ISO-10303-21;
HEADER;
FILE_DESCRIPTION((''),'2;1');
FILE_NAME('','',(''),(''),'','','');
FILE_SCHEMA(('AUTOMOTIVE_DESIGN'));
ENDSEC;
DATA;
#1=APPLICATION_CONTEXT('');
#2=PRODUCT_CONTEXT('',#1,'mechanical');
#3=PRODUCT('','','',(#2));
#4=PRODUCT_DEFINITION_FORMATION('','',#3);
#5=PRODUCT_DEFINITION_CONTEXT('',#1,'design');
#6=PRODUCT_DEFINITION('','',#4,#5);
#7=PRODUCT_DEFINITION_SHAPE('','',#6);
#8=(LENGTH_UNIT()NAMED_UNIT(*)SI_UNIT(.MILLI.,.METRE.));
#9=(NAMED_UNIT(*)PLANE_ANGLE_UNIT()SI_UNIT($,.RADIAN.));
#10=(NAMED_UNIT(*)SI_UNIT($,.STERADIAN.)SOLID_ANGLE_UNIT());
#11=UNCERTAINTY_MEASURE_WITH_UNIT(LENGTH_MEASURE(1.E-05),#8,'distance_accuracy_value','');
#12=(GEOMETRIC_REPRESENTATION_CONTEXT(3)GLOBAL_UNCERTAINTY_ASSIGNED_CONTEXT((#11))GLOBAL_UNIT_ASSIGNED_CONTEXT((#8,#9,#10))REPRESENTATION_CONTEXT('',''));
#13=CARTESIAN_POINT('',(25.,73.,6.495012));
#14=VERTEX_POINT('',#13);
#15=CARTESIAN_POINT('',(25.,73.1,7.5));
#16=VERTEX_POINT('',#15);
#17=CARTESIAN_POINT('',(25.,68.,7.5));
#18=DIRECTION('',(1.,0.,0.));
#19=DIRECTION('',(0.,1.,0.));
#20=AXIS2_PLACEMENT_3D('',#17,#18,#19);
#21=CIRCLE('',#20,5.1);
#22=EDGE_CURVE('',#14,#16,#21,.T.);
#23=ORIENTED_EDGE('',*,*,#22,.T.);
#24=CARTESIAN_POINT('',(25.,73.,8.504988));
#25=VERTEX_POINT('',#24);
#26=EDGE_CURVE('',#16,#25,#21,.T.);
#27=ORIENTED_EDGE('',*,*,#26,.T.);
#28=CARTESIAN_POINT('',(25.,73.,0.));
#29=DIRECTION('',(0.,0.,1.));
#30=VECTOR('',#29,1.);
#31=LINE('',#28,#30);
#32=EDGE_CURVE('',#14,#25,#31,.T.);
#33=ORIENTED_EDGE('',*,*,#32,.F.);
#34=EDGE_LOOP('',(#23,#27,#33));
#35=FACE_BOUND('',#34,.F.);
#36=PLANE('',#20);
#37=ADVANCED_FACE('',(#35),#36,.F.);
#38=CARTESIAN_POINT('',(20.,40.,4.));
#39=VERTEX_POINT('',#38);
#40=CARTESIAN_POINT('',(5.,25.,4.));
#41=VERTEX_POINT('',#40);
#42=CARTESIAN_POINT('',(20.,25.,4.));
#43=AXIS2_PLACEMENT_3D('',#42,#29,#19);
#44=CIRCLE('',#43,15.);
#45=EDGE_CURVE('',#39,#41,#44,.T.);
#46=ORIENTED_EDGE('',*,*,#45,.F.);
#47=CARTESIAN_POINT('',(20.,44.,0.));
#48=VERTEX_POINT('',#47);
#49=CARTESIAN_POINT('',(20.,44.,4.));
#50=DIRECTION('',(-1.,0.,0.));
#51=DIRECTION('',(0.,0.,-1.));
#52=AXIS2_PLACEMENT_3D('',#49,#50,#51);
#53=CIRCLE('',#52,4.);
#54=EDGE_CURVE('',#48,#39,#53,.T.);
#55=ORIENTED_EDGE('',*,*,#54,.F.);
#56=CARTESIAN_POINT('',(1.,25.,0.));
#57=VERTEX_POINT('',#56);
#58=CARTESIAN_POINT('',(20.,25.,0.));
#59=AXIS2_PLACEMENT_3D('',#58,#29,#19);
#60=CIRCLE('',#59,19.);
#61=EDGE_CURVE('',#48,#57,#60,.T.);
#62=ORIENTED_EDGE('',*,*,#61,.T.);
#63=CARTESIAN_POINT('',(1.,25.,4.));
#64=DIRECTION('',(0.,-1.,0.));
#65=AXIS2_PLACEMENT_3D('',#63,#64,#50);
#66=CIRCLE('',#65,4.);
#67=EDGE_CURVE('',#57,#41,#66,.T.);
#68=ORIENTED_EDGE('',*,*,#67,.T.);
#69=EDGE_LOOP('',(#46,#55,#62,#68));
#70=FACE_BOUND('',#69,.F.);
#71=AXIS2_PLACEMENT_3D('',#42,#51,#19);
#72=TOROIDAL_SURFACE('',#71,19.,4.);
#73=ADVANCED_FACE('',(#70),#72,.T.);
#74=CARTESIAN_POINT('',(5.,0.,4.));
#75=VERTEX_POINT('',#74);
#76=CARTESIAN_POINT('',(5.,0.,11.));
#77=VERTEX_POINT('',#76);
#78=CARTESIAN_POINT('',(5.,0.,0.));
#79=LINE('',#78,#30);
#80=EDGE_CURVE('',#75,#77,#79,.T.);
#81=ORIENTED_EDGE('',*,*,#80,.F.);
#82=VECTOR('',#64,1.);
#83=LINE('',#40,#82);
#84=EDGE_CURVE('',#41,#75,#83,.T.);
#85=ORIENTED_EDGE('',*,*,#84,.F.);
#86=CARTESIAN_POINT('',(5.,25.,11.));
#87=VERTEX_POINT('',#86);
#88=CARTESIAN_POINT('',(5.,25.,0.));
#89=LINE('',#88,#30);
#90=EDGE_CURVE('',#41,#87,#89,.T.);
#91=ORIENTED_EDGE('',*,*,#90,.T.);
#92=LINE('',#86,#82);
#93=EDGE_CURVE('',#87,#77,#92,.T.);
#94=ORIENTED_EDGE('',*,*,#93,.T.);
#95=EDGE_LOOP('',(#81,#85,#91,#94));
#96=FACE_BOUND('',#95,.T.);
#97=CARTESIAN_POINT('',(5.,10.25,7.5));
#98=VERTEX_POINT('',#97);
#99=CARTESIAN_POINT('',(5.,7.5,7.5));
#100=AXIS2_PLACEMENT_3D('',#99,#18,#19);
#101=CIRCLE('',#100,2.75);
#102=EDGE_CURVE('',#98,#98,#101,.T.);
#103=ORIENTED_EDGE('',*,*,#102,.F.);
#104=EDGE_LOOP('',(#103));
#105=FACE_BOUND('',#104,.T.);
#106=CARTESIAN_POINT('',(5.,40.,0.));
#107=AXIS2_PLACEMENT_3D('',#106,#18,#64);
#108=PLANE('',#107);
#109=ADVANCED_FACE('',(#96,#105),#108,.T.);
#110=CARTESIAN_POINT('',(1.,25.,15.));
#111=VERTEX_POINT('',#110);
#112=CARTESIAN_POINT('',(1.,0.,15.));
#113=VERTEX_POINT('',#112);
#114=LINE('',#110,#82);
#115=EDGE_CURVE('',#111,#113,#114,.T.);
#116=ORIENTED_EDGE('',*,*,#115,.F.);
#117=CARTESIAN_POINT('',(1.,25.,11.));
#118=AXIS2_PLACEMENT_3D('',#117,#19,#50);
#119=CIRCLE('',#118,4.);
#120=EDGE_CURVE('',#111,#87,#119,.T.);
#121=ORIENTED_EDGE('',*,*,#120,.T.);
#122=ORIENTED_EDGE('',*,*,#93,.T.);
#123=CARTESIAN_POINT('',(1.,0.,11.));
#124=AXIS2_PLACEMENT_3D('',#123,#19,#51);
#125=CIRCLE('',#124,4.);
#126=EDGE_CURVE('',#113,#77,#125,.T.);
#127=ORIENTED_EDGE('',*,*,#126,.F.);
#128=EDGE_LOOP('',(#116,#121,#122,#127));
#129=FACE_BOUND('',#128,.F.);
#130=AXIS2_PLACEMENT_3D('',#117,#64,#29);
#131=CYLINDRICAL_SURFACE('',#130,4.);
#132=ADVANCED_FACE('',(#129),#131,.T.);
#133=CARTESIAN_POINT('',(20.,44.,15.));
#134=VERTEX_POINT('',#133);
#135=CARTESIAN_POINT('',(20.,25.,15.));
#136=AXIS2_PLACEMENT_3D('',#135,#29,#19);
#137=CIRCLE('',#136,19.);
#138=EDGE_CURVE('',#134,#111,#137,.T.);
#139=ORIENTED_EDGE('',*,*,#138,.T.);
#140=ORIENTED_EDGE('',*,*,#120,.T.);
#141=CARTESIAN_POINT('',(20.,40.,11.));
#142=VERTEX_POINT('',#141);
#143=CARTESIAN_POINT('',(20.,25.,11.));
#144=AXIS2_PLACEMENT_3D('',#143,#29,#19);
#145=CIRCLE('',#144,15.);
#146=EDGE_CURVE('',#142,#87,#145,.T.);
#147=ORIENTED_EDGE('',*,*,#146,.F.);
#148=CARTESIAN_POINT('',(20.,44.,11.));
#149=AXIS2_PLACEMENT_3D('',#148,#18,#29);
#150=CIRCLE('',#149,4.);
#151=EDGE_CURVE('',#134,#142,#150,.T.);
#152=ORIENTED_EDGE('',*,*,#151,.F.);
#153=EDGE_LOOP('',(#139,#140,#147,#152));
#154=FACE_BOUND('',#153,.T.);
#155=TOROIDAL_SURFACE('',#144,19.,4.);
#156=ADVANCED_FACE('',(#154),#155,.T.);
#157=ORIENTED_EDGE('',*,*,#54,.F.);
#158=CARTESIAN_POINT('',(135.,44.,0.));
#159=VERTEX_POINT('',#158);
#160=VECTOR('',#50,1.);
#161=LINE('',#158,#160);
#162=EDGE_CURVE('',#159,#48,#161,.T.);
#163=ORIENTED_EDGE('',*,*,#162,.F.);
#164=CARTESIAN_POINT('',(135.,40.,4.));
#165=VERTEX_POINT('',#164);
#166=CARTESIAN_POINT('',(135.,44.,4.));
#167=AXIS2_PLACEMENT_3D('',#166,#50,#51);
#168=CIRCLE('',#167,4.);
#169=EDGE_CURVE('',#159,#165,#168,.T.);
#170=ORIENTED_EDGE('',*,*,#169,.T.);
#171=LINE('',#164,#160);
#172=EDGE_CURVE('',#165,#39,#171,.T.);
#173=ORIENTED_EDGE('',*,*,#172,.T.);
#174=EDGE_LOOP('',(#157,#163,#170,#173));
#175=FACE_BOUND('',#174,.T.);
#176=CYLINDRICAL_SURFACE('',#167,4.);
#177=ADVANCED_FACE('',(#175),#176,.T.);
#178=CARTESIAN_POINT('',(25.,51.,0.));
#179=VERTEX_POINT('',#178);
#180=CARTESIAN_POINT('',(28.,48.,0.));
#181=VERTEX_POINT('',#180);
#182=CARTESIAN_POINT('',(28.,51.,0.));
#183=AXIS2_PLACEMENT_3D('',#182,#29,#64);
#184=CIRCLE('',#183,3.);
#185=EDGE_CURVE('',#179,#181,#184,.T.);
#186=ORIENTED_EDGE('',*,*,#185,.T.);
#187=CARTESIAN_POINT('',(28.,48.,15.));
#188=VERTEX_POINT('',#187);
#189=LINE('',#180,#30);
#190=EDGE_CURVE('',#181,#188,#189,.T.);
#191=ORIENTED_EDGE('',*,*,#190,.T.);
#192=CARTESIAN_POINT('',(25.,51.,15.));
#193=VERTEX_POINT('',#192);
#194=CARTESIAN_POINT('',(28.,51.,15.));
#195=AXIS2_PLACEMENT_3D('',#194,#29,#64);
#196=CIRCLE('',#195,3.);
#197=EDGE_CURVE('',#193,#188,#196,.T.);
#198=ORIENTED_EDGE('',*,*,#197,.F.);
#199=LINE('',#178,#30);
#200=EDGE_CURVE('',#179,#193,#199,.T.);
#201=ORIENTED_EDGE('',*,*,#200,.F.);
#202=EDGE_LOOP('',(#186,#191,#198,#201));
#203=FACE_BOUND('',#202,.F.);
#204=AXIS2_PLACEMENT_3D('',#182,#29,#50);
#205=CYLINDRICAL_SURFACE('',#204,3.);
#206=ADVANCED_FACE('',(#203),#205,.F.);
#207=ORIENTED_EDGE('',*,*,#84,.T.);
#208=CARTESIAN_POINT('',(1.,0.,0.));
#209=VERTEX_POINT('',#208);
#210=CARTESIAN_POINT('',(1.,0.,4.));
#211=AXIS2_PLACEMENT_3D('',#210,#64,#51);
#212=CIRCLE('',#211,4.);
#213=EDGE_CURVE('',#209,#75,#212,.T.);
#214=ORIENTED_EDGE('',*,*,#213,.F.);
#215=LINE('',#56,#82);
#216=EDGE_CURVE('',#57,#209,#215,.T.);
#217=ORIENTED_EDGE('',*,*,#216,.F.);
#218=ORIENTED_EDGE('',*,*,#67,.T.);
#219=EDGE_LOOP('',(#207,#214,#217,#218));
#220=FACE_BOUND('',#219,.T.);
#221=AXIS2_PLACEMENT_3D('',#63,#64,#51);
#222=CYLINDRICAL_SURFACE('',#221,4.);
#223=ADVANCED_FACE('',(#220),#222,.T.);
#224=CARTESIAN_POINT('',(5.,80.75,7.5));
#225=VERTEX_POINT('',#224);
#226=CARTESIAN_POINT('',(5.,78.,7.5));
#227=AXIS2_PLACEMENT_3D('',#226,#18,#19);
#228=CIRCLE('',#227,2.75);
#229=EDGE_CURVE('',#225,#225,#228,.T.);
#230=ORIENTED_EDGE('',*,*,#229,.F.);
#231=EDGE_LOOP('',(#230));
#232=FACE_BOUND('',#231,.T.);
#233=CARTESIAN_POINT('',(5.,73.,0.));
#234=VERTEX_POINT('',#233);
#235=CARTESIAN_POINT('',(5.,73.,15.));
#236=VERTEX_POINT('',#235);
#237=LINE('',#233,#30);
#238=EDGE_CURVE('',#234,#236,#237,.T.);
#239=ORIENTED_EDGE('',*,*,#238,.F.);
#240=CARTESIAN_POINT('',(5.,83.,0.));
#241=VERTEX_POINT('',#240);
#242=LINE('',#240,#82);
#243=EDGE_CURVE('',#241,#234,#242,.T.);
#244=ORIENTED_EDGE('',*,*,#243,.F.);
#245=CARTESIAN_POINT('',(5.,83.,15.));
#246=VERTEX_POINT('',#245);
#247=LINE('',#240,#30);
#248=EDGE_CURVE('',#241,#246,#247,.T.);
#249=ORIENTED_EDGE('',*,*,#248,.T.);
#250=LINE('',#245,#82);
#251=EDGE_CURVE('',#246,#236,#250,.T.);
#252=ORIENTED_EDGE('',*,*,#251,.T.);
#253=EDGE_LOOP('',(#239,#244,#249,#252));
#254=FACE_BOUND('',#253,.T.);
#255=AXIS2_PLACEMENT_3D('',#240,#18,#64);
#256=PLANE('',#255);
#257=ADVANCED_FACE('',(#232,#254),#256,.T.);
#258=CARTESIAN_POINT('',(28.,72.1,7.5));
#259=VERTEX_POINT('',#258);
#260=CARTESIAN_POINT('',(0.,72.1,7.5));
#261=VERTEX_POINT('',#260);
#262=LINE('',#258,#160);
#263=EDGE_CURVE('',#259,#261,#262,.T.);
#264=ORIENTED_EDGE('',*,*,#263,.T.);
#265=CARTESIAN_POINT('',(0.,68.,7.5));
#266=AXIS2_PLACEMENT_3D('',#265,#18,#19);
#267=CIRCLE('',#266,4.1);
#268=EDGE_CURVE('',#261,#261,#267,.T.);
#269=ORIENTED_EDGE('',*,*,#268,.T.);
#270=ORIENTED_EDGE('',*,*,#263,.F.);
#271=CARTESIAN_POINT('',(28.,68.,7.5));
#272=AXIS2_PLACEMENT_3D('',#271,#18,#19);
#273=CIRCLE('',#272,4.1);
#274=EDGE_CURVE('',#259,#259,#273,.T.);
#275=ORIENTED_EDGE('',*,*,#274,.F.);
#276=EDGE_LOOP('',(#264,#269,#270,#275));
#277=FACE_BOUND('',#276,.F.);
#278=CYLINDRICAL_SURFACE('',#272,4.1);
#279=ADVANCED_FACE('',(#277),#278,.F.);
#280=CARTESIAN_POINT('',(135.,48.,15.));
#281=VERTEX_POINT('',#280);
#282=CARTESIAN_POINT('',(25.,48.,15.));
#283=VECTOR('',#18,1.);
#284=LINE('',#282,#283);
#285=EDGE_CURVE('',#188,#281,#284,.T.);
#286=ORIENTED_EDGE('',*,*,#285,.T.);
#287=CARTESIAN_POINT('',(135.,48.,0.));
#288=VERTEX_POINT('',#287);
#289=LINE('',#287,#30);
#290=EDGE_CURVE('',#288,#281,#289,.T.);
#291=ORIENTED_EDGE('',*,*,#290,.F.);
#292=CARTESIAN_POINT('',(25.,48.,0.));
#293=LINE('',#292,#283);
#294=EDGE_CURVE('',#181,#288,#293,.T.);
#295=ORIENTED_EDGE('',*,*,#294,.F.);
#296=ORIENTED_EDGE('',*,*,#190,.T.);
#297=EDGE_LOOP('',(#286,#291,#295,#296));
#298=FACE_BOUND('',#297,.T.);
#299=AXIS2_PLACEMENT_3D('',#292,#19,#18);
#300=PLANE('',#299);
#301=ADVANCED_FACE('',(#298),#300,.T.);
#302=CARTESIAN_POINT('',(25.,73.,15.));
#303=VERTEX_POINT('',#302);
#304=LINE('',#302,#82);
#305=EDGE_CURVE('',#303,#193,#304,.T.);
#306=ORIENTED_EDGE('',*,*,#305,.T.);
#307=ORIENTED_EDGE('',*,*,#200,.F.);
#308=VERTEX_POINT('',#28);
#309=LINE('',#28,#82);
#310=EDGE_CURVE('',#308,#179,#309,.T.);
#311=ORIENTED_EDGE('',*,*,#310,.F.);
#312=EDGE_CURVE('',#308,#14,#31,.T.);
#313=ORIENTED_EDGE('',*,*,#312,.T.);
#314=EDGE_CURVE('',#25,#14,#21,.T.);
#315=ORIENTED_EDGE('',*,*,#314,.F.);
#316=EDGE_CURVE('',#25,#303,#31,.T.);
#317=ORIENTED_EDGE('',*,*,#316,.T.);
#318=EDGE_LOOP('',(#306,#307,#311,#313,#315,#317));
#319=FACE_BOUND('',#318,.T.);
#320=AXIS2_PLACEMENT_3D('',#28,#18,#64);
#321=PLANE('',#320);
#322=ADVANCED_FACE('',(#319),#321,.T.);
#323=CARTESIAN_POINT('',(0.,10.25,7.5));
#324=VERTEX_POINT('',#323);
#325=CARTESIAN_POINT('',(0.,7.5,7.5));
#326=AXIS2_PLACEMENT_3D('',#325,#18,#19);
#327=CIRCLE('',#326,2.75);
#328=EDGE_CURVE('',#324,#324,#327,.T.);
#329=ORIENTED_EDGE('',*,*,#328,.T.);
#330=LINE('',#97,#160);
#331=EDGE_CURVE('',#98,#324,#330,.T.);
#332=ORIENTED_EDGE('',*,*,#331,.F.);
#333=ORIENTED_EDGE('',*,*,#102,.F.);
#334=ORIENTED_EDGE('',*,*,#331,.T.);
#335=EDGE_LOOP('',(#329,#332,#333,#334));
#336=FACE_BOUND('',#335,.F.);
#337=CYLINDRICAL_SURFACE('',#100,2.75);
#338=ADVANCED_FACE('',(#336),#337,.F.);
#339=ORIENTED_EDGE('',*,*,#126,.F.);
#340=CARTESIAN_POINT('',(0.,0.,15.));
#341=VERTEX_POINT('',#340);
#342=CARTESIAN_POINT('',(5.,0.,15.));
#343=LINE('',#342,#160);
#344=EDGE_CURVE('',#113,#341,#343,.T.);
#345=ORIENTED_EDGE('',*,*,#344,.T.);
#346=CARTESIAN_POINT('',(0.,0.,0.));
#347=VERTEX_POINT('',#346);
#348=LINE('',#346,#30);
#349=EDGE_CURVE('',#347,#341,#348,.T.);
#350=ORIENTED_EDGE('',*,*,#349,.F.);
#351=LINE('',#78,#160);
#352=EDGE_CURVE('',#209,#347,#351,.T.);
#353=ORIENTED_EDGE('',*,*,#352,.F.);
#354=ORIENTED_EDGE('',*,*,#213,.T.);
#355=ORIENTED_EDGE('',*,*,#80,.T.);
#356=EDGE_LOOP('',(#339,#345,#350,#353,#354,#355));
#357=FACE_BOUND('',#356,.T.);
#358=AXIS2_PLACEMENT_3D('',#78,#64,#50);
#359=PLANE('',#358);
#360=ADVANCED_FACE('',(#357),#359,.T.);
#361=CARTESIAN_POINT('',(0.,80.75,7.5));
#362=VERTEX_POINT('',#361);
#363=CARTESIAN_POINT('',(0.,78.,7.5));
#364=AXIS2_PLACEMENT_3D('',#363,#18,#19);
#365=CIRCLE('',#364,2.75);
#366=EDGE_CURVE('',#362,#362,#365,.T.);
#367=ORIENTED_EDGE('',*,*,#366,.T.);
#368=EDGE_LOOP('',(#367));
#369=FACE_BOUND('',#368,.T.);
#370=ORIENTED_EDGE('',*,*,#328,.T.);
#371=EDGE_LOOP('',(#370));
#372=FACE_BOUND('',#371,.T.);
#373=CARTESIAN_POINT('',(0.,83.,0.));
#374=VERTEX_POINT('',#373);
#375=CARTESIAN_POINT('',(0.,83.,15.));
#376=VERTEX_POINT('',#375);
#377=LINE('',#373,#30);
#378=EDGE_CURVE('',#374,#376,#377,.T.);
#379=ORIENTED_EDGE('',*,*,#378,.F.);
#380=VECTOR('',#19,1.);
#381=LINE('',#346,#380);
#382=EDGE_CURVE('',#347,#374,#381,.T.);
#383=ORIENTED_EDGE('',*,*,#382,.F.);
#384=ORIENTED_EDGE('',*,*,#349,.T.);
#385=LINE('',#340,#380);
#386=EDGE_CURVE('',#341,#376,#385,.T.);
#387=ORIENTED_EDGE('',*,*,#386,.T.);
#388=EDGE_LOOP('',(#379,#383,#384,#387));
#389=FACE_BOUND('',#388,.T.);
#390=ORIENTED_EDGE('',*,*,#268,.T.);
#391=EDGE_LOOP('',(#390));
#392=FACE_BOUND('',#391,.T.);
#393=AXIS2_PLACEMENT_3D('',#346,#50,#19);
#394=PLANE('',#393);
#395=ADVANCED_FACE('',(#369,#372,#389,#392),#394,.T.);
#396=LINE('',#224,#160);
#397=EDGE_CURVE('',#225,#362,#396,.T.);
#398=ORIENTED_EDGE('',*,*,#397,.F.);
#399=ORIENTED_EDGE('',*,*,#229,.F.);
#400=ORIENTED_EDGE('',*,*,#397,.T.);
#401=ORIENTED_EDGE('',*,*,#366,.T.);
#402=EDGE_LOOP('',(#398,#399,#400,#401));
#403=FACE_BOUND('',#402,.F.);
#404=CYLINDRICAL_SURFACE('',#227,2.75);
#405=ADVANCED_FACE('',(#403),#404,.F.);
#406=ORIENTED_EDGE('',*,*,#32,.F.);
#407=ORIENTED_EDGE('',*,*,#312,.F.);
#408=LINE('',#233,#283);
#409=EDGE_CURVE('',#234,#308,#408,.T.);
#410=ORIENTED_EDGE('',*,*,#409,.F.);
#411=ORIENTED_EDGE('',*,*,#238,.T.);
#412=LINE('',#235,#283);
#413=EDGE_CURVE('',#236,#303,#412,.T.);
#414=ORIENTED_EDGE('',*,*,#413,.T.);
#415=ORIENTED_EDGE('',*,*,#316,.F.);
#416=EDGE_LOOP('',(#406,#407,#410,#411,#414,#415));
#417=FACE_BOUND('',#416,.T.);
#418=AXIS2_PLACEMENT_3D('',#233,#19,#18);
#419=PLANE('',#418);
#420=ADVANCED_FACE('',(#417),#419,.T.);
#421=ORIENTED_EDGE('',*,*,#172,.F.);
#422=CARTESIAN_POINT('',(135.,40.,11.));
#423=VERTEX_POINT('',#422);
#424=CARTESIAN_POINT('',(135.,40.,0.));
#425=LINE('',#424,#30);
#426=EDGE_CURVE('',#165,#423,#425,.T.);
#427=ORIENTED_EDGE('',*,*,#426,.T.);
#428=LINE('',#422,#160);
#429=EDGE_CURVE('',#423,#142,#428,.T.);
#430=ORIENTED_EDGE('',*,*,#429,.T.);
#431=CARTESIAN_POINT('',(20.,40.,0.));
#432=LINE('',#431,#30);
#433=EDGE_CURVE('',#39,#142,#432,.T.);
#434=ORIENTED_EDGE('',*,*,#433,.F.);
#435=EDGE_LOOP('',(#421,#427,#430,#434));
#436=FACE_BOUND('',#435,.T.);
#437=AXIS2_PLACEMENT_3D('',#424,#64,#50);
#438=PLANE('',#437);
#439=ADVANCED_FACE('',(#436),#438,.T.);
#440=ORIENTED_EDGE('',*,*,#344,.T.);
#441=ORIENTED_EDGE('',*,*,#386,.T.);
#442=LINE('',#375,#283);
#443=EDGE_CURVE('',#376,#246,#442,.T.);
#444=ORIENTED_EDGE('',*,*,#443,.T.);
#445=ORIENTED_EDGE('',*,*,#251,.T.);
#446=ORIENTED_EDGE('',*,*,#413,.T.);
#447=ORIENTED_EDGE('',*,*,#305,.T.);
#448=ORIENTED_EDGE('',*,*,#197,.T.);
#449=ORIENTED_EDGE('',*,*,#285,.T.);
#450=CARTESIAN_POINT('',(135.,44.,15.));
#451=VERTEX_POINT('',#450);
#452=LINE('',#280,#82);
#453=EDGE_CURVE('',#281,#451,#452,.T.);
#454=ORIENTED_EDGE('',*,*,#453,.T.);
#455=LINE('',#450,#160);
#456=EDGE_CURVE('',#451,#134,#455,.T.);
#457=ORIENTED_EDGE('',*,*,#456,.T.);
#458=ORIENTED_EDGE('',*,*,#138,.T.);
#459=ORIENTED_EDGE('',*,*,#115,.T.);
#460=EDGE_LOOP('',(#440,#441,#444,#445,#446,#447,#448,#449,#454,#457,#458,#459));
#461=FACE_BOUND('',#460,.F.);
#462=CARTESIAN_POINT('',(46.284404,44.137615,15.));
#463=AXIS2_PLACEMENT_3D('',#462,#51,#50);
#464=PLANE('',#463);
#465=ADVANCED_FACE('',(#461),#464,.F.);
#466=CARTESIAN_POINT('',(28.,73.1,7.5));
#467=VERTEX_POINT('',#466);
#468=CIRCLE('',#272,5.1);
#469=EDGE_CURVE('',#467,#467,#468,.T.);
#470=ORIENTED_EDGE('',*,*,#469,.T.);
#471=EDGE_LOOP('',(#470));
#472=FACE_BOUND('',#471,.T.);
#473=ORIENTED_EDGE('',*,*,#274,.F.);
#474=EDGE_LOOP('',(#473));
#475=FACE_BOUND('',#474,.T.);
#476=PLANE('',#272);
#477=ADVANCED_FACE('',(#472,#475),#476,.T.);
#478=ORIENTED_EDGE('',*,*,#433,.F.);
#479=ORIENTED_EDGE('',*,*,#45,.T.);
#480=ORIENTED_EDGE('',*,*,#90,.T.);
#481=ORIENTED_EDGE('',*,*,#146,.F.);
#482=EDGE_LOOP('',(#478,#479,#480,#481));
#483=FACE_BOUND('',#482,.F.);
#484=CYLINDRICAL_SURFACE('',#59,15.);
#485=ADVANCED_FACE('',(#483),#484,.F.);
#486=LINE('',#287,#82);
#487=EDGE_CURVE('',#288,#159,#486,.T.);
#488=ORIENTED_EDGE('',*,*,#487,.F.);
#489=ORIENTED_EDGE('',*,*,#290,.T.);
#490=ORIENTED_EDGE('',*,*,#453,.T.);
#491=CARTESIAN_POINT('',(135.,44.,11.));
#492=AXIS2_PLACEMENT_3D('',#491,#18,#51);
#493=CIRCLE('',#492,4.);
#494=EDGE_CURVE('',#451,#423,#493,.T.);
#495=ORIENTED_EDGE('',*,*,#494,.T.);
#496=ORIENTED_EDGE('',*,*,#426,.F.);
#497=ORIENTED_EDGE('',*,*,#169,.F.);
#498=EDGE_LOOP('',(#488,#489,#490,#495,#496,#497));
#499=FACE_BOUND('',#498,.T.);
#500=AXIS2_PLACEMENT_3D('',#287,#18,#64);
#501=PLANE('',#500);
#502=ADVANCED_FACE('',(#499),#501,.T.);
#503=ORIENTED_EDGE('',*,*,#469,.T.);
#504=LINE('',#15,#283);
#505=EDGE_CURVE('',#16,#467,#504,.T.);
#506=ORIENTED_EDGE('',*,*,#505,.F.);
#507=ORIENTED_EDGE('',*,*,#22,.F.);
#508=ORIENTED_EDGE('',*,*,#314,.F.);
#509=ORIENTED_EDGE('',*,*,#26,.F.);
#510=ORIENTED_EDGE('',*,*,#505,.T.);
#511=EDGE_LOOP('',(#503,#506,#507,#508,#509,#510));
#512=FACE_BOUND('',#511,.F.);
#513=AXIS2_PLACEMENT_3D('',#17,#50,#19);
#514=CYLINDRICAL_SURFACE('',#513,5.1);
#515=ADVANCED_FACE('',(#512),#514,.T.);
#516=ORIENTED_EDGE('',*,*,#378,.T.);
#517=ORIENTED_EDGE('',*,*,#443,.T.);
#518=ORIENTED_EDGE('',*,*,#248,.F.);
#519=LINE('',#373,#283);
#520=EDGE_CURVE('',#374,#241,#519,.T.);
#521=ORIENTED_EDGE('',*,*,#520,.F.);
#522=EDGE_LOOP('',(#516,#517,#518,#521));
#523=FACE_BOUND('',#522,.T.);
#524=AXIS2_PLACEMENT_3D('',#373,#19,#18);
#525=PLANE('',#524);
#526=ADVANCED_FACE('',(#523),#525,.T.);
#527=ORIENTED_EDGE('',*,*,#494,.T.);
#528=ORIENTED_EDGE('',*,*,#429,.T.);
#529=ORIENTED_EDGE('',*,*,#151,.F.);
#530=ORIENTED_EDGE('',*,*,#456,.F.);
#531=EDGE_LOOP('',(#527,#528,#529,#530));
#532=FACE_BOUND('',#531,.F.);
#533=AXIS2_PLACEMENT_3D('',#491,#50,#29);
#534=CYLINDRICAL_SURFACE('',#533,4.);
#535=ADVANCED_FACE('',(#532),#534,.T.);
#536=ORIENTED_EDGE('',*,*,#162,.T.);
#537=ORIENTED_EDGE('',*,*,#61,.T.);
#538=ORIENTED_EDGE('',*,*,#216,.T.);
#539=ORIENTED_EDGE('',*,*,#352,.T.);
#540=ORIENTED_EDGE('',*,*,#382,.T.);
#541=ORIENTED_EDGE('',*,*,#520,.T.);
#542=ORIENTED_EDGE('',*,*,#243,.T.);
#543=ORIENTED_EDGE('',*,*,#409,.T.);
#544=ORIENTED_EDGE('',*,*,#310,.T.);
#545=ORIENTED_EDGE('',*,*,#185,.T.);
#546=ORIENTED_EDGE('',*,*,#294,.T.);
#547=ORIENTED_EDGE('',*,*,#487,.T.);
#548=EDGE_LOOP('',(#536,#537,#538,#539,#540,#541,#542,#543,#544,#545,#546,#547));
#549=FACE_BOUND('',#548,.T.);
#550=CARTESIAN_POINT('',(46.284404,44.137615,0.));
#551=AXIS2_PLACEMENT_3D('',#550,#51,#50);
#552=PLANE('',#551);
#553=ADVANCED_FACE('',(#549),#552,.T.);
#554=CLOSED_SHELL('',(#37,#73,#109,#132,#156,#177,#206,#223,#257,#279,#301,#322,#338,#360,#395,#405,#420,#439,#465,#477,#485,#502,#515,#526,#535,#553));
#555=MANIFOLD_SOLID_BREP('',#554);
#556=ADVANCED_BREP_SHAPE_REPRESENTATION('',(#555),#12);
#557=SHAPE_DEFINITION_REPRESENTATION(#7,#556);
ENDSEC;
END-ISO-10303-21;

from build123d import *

# Parameters (mm, degrees)
PAD_DEPTH       = 15
FILLET_R        = 3
FILLET001_R     = 15
SKETCH001_R     = 2.75
POCKET_DEPTH    = 5.001
SKETCH002_R     = 5.1
PAD001_DEPTH    = 3
SKETCH003_R     = 4.1
POCKET001_DEPTH = 28.001
FILLET002_R     = 4


with BuildPart() as part:
    # Sketch → Pad (new body)
    with BuildSketch(Plane.XY):
        Polygon((0, 0), (0, 83), (5, 83), (5, 73), (25, 73), (25, 48), (135, 48), (135, 40), (5, 40), (5, 0), align=None)
    extrude(amount=PAD_DEPTH)

    # Fillet
    fillet_edges = [part.edges().sort_by_distance(p)[0] for p in [
        (25, 48, 7.5),
    ]]
    fillet(fillet_edges, radius=FILLET_R)

    # Fillet001
    fillet001_edges = [part.edges().sort_by_distance(p)[0] for p in [
        (5, 40, 7.5),
    ]]
    fillet(fillet001_edges, radius=FILLET001_R)

    # Sketch001 → Pocket (cut, through all)
    with BuildSketch(Plane.YZ.offset(5)):
        with Locations((7.5, 7.5)):
            Circle(SKETCH001_R)
        with Locations((78, 7.5)):
            Circle(SKETCH001_R)
    extrude(amount=-POCKET_DEPTH, mode=Mode.SUBTRACT)

    # Sketch002 → Pad001 (new body)
    with BuildSketch(Plane.YZ.offset(25)):
        with Locations((68, 7.5)):
            Circle(SKETCH002_R)
    extrude(amount=PAD001_DEPTH)

    # Sketch003 → Pocket001 (cut, through all)
    with BuildSketch(Plane.YZ.offset(28)):
        with Locations((68, 7.5)):
            Circle(SKETCH003_R)
    extrude(amount=-POCKET001_DEPTH, mode=Mode.SUBTRACT)

    # Fillet002
    fillet002_edges = [part.edges().sort_by_distance(p)[0] for p in [
        (77.5, 40, 15),
        (77.5, 40, 0),
    ]]
    fillet(fillet002_edges, radius=FILLET002_R)


solid = part.part
